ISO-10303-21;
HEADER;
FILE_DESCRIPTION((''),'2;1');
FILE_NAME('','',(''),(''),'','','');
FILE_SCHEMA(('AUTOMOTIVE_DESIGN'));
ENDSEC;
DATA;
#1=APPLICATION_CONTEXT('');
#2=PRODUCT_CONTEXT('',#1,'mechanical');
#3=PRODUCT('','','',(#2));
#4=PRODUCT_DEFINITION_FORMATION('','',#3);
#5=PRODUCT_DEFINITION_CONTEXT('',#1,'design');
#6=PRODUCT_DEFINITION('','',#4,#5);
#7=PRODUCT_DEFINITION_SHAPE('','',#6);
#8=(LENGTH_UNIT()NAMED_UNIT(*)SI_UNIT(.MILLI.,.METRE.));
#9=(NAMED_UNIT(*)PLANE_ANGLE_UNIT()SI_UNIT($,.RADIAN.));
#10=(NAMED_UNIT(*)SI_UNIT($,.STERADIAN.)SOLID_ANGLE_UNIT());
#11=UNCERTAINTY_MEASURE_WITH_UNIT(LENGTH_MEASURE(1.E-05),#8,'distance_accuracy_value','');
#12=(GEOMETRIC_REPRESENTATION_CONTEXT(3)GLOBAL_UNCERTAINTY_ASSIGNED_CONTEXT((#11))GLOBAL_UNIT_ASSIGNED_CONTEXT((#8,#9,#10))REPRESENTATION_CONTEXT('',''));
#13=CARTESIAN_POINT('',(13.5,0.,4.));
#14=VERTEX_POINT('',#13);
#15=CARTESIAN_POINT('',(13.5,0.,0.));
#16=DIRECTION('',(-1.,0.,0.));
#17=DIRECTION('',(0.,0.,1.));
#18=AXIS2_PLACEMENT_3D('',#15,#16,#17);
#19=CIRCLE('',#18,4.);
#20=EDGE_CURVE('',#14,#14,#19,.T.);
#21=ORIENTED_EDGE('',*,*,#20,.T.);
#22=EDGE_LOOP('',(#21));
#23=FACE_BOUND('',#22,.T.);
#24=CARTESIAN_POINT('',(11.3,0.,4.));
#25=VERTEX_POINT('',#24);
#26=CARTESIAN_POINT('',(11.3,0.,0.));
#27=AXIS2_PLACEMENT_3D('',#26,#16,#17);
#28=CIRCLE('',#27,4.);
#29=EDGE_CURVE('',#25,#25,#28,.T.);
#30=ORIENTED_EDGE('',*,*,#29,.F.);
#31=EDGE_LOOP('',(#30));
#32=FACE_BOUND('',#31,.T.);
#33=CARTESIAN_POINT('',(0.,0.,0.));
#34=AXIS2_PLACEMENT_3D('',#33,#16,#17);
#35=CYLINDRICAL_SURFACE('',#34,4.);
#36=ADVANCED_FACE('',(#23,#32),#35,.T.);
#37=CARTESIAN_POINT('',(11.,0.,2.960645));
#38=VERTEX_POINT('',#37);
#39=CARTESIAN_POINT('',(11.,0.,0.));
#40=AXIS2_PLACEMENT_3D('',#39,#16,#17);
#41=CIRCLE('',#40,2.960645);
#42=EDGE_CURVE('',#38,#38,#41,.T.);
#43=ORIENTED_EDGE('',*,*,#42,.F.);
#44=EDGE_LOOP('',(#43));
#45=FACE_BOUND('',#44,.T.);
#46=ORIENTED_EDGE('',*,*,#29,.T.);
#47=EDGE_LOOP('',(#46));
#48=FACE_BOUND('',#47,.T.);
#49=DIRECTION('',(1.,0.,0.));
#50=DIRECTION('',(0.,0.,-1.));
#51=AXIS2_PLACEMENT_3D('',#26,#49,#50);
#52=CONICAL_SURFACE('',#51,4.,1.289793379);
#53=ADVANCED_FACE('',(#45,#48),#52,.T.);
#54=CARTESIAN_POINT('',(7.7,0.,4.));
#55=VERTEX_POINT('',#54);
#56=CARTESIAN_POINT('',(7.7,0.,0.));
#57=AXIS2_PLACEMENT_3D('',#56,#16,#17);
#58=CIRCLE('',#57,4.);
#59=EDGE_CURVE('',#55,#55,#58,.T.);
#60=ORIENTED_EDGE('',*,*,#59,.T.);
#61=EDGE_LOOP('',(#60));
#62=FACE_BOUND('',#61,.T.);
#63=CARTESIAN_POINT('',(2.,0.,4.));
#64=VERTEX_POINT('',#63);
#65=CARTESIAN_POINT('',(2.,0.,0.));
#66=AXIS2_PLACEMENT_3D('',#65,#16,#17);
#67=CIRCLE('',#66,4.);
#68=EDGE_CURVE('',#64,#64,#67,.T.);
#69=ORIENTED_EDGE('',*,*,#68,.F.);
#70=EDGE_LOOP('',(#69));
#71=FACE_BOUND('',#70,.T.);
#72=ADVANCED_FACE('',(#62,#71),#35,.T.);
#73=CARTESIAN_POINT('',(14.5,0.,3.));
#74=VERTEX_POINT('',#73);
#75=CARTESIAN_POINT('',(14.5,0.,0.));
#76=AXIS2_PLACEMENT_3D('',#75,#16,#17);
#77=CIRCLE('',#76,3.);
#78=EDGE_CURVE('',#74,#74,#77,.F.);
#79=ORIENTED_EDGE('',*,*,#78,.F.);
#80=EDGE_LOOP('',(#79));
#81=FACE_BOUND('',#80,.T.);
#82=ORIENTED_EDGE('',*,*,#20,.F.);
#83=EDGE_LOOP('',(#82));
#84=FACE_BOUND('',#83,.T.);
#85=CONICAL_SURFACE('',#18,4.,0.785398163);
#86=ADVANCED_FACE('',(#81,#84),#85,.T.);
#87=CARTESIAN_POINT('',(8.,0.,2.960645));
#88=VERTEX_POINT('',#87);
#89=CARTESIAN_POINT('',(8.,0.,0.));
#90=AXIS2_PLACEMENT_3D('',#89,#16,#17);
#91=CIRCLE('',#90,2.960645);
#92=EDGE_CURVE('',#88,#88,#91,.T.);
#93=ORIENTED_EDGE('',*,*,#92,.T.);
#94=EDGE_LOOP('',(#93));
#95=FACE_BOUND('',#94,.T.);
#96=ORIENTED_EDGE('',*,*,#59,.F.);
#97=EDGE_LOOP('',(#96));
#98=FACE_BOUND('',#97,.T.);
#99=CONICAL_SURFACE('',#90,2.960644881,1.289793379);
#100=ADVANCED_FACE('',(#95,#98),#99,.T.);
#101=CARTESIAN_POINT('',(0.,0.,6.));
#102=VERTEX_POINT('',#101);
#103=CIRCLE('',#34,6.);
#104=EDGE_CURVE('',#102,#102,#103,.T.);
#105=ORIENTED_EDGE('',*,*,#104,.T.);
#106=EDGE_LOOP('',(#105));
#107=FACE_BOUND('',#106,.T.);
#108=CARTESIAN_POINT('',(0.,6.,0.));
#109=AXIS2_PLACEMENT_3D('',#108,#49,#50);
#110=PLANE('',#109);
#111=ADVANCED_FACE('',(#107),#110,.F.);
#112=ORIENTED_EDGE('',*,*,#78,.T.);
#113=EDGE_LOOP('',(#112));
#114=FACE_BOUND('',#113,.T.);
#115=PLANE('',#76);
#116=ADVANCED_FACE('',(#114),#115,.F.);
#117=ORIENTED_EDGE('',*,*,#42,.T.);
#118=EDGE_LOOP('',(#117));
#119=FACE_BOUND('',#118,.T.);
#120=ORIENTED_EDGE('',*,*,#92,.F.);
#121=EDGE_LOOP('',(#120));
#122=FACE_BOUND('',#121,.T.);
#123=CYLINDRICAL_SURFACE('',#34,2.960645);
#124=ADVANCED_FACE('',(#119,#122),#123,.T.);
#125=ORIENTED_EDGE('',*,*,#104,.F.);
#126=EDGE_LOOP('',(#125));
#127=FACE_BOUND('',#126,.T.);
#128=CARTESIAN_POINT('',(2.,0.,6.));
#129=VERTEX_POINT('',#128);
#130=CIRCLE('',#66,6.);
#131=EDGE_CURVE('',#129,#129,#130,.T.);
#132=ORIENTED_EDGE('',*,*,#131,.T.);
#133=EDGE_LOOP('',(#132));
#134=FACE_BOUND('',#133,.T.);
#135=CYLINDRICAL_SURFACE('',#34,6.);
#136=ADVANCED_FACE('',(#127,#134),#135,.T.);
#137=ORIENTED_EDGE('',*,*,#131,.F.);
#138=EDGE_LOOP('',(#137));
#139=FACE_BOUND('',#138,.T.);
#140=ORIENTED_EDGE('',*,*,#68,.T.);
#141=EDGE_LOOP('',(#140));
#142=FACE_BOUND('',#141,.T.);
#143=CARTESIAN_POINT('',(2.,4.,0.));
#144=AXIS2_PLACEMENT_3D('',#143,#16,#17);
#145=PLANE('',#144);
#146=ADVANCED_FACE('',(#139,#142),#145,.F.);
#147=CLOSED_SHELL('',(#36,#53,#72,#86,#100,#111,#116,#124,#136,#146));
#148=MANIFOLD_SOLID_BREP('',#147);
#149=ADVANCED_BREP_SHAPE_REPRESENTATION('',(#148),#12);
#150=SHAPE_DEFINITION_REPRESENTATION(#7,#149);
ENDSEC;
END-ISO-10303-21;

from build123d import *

# Parameters (mm, degrees)
CHAMFER1_SIZE = 1


with BuildPart() as part:
    # Sketch1 → Revolve1 (revolve)
    with BuildSketch(Plane.XY, mode=Mode.PRIVATE) as revolve1_sk:
        Polygon((0, 6), (0, 0), (14.5, 0), (14.5, 4), (11.3, 4), (11, 2.960644881), (8, 2.960644881), (7.7, 4), (2, 4), (2, 6), align=None)
    revolve(revolve1_sk.sketch.rotate(Axis((0, 0, 0), (1, 0, 0)), 90), axis=Axis((0, 0, 0), (1, 0, 0)))

    # Chamfer1
    chamfer1_edges = [part.edges().sort_by_distance(p)[0] for p in [
        (14.5, 0, -4),
    ]]
    chamfer(chamfer1_edges, length=CHAMFER1_SIZE)


solid = part.part
